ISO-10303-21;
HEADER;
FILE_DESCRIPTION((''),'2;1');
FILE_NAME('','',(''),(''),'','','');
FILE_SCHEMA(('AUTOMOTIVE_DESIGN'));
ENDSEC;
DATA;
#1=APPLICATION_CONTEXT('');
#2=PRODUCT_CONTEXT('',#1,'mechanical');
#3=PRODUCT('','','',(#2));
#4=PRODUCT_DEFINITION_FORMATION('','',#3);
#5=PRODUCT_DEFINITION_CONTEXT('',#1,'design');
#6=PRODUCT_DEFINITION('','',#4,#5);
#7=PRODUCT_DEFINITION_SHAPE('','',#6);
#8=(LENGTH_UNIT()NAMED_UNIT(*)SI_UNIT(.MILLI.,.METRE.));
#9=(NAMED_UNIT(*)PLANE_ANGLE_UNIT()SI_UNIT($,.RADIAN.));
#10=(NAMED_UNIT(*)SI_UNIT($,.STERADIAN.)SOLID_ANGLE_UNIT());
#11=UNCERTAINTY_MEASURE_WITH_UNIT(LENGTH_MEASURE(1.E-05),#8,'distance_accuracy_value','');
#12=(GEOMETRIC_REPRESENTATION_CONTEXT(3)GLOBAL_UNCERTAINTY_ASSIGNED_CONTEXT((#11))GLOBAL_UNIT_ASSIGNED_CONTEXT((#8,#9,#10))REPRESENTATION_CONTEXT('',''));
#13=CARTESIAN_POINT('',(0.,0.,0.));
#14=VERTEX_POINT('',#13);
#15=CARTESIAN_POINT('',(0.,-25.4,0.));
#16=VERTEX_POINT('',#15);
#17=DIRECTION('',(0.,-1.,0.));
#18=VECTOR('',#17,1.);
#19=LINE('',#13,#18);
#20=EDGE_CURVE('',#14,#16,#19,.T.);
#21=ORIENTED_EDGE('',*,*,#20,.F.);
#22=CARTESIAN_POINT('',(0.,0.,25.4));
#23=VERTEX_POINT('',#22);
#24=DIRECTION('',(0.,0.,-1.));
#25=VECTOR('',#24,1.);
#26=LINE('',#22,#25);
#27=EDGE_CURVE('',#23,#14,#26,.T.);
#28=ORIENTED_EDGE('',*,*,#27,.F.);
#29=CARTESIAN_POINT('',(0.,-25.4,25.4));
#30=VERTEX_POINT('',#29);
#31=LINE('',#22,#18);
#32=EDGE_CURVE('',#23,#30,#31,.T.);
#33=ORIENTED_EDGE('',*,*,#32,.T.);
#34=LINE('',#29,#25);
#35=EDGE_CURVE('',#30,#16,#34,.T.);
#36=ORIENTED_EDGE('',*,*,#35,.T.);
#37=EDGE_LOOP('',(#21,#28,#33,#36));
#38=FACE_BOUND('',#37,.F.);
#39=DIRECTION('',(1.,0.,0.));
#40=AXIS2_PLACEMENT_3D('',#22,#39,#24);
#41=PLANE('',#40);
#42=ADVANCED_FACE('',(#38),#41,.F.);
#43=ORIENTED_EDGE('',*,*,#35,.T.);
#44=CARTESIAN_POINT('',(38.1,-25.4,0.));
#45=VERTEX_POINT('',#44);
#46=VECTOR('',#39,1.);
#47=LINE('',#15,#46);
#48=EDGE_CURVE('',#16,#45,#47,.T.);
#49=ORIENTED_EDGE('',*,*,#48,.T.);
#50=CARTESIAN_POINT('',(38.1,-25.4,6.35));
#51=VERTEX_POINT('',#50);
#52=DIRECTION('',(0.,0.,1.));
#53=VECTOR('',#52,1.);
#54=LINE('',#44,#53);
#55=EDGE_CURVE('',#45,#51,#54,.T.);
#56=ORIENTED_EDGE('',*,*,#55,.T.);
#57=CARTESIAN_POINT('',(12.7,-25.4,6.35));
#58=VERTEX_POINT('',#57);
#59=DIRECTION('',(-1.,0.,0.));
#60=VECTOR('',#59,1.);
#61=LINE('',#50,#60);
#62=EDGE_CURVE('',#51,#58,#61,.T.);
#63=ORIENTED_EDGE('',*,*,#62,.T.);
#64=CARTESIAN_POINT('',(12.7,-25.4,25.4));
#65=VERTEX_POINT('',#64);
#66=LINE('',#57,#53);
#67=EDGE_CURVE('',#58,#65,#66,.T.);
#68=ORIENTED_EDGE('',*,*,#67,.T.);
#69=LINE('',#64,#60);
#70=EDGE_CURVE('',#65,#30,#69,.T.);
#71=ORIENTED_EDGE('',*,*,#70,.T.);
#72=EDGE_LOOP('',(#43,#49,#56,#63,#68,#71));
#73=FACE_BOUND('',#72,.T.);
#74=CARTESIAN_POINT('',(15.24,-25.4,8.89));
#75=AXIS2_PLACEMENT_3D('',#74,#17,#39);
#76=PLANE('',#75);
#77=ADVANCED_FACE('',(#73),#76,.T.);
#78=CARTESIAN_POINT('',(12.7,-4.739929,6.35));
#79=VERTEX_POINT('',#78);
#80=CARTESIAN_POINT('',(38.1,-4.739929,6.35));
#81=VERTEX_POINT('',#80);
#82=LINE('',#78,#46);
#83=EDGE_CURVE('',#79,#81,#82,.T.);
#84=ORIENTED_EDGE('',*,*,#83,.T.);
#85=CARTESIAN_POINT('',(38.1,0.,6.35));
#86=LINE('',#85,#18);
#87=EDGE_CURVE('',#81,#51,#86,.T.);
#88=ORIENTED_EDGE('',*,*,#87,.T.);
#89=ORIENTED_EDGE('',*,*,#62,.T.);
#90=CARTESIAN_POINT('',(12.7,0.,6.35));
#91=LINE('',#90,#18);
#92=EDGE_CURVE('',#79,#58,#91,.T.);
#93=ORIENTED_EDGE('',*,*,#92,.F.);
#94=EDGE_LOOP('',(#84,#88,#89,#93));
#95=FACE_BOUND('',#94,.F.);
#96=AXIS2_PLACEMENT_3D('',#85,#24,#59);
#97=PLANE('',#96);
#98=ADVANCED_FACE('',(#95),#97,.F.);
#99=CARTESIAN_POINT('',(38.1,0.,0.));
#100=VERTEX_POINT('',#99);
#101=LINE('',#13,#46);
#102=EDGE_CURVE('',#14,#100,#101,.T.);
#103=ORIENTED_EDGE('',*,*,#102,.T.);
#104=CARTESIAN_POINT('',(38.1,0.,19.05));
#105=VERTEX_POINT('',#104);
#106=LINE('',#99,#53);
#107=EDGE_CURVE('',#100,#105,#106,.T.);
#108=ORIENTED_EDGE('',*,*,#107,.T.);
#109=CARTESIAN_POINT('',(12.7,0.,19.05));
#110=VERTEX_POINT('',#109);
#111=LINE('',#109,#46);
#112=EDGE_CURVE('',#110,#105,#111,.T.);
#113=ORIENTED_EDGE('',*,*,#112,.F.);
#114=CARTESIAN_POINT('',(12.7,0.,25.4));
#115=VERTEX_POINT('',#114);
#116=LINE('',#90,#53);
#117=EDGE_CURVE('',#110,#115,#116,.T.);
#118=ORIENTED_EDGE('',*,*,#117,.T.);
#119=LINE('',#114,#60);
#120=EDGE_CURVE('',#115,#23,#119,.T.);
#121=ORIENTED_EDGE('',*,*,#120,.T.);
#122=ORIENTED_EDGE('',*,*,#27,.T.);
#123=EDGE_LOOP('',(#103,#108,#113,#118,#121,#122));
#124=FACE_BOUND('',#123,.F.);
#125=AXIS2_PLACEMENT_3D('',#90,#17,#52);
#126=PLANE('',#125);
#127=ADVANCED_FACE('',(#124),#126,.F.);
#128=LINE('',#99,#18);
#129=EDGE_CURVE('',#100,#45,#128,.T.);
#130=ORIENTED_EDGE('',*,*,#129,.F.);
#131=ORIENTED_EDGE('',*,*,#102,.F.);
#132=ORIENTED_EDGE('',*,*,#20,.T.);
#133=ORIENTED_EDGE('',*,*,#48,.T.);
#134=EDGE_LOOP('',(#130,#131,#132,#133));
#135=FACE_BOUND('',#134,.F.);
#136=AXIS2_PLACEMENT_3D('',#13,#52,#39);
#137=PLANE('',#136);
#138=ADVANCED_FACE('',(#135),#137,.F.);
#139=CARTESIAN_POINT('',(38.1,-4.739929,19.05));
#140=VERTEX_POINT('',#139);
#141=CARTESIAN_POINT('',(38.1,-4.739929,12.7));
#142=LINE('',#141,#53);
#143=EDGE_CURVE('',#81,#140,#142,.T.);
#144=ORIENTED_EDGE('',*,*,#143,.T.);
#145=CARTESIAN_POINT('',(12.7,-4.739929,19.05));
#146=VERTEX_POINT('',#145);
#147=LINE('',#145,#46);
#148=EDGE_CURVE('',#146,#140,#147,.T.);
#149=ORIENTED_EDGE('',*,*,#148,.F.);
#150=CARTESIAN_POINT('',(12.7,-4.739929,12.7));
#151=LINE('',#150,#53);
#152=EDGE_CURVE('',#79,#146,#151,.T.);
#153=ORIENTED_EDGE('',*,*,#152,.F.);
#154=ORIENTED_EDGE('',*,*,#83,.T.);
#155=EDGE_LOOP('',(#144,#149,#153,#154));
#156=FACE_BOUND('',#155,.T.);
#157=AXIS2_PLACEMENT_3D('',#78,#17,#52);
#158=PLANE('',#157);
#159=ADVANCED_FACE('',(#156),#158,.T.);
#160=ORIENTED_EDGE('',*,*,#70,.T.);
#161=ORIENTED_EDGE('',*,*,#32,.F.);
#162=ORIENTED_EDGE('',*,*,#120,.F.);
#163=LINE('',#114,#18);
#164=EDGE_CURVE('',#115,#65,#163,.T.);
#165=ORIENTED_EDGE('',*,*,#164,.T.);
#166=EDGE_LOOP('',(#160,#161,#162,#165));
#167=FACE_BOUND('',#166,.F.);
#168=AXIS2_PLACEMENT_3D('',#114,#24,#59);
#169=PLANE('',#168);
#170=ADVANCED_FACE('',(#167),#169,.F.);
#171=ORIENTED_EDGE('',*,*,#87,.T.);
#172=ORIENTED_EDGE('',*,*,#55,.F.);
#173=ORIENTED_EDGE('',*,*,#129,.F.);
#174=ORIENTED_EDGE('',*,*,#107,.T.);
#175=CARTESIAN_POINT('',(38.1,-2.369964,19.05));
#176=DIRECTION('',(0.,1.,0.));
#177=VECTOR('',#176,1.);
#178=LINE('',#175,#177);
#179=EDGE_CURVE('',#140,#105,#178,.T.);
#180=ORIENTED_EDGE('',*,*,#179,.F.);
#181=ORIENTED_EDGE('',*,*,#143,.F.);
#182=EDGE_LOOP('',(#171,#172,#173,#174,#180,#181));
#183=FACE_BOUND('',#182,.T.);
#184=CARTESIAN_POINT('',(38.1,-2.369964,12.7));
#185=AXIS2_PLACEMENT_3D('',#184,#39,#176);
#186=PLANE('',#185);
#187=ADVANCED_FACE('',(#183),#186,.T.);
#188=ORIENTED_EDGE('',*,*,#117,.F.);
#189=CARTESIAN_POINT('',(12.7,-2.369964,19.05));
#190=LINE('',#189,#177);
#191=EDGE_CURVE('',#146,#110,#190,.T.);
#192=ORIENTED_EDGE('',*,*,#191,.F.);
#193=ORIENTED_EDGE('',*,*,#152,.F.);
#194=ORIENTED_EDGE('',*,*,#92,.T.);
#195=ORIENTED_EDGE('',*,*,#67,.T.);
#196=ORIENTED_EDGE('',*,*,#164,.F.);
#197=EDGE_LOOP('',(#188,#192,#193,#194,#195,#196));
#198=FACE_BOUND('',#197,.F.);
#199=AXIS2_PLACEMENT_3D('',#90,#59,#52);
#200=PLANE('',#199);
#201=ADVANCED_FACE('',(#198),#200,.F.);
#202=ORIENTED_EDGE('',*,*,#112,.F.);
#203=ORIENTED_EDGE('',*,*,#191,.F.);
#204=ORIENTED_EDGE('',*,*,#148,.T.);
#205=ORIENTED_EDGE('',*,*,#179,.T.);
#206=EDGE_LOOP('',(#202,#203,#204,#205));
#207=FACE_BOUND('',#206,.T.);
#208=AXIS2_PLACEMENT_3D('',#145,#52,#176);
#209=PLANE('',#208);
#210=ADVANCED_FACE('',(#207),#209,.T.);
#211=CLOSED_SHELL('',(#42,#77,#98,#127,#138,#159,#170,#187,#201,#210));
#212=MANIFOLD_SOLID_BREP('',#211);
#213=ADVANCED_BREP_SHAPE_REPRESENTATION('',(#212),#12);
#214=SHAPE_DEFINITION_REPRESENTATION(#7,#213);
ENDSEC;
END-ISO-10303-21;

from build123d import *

# Parameters (mm, degrees)
F1_DEPTH = 25.4
F2_W     = 4.7399289906
F2_H     = 12.7
F3_DEPTH = 25.4


with BuildPart() as f1:
    # F0 (on Front) → F1 (new body)
    with BuildSketch(Plane.XZ):
        Polygon((0, 25.4), (0, 0), (38.1, 0), (38.1, 6.35), (12.7, 6.35), (12.7, 25.4), align=None)
    extrude(amount=F1_DEPTH)

    # F2 (on face) → F3 (join)
    with BuildSketch(Plane.YZ.offset(12.7)):
        with Locations((-2.3699644953, 12.7)):
            Rectangle(F2_W, F2_H)
    extrude(amount=F3_DEPTH)


solid = f1.part
